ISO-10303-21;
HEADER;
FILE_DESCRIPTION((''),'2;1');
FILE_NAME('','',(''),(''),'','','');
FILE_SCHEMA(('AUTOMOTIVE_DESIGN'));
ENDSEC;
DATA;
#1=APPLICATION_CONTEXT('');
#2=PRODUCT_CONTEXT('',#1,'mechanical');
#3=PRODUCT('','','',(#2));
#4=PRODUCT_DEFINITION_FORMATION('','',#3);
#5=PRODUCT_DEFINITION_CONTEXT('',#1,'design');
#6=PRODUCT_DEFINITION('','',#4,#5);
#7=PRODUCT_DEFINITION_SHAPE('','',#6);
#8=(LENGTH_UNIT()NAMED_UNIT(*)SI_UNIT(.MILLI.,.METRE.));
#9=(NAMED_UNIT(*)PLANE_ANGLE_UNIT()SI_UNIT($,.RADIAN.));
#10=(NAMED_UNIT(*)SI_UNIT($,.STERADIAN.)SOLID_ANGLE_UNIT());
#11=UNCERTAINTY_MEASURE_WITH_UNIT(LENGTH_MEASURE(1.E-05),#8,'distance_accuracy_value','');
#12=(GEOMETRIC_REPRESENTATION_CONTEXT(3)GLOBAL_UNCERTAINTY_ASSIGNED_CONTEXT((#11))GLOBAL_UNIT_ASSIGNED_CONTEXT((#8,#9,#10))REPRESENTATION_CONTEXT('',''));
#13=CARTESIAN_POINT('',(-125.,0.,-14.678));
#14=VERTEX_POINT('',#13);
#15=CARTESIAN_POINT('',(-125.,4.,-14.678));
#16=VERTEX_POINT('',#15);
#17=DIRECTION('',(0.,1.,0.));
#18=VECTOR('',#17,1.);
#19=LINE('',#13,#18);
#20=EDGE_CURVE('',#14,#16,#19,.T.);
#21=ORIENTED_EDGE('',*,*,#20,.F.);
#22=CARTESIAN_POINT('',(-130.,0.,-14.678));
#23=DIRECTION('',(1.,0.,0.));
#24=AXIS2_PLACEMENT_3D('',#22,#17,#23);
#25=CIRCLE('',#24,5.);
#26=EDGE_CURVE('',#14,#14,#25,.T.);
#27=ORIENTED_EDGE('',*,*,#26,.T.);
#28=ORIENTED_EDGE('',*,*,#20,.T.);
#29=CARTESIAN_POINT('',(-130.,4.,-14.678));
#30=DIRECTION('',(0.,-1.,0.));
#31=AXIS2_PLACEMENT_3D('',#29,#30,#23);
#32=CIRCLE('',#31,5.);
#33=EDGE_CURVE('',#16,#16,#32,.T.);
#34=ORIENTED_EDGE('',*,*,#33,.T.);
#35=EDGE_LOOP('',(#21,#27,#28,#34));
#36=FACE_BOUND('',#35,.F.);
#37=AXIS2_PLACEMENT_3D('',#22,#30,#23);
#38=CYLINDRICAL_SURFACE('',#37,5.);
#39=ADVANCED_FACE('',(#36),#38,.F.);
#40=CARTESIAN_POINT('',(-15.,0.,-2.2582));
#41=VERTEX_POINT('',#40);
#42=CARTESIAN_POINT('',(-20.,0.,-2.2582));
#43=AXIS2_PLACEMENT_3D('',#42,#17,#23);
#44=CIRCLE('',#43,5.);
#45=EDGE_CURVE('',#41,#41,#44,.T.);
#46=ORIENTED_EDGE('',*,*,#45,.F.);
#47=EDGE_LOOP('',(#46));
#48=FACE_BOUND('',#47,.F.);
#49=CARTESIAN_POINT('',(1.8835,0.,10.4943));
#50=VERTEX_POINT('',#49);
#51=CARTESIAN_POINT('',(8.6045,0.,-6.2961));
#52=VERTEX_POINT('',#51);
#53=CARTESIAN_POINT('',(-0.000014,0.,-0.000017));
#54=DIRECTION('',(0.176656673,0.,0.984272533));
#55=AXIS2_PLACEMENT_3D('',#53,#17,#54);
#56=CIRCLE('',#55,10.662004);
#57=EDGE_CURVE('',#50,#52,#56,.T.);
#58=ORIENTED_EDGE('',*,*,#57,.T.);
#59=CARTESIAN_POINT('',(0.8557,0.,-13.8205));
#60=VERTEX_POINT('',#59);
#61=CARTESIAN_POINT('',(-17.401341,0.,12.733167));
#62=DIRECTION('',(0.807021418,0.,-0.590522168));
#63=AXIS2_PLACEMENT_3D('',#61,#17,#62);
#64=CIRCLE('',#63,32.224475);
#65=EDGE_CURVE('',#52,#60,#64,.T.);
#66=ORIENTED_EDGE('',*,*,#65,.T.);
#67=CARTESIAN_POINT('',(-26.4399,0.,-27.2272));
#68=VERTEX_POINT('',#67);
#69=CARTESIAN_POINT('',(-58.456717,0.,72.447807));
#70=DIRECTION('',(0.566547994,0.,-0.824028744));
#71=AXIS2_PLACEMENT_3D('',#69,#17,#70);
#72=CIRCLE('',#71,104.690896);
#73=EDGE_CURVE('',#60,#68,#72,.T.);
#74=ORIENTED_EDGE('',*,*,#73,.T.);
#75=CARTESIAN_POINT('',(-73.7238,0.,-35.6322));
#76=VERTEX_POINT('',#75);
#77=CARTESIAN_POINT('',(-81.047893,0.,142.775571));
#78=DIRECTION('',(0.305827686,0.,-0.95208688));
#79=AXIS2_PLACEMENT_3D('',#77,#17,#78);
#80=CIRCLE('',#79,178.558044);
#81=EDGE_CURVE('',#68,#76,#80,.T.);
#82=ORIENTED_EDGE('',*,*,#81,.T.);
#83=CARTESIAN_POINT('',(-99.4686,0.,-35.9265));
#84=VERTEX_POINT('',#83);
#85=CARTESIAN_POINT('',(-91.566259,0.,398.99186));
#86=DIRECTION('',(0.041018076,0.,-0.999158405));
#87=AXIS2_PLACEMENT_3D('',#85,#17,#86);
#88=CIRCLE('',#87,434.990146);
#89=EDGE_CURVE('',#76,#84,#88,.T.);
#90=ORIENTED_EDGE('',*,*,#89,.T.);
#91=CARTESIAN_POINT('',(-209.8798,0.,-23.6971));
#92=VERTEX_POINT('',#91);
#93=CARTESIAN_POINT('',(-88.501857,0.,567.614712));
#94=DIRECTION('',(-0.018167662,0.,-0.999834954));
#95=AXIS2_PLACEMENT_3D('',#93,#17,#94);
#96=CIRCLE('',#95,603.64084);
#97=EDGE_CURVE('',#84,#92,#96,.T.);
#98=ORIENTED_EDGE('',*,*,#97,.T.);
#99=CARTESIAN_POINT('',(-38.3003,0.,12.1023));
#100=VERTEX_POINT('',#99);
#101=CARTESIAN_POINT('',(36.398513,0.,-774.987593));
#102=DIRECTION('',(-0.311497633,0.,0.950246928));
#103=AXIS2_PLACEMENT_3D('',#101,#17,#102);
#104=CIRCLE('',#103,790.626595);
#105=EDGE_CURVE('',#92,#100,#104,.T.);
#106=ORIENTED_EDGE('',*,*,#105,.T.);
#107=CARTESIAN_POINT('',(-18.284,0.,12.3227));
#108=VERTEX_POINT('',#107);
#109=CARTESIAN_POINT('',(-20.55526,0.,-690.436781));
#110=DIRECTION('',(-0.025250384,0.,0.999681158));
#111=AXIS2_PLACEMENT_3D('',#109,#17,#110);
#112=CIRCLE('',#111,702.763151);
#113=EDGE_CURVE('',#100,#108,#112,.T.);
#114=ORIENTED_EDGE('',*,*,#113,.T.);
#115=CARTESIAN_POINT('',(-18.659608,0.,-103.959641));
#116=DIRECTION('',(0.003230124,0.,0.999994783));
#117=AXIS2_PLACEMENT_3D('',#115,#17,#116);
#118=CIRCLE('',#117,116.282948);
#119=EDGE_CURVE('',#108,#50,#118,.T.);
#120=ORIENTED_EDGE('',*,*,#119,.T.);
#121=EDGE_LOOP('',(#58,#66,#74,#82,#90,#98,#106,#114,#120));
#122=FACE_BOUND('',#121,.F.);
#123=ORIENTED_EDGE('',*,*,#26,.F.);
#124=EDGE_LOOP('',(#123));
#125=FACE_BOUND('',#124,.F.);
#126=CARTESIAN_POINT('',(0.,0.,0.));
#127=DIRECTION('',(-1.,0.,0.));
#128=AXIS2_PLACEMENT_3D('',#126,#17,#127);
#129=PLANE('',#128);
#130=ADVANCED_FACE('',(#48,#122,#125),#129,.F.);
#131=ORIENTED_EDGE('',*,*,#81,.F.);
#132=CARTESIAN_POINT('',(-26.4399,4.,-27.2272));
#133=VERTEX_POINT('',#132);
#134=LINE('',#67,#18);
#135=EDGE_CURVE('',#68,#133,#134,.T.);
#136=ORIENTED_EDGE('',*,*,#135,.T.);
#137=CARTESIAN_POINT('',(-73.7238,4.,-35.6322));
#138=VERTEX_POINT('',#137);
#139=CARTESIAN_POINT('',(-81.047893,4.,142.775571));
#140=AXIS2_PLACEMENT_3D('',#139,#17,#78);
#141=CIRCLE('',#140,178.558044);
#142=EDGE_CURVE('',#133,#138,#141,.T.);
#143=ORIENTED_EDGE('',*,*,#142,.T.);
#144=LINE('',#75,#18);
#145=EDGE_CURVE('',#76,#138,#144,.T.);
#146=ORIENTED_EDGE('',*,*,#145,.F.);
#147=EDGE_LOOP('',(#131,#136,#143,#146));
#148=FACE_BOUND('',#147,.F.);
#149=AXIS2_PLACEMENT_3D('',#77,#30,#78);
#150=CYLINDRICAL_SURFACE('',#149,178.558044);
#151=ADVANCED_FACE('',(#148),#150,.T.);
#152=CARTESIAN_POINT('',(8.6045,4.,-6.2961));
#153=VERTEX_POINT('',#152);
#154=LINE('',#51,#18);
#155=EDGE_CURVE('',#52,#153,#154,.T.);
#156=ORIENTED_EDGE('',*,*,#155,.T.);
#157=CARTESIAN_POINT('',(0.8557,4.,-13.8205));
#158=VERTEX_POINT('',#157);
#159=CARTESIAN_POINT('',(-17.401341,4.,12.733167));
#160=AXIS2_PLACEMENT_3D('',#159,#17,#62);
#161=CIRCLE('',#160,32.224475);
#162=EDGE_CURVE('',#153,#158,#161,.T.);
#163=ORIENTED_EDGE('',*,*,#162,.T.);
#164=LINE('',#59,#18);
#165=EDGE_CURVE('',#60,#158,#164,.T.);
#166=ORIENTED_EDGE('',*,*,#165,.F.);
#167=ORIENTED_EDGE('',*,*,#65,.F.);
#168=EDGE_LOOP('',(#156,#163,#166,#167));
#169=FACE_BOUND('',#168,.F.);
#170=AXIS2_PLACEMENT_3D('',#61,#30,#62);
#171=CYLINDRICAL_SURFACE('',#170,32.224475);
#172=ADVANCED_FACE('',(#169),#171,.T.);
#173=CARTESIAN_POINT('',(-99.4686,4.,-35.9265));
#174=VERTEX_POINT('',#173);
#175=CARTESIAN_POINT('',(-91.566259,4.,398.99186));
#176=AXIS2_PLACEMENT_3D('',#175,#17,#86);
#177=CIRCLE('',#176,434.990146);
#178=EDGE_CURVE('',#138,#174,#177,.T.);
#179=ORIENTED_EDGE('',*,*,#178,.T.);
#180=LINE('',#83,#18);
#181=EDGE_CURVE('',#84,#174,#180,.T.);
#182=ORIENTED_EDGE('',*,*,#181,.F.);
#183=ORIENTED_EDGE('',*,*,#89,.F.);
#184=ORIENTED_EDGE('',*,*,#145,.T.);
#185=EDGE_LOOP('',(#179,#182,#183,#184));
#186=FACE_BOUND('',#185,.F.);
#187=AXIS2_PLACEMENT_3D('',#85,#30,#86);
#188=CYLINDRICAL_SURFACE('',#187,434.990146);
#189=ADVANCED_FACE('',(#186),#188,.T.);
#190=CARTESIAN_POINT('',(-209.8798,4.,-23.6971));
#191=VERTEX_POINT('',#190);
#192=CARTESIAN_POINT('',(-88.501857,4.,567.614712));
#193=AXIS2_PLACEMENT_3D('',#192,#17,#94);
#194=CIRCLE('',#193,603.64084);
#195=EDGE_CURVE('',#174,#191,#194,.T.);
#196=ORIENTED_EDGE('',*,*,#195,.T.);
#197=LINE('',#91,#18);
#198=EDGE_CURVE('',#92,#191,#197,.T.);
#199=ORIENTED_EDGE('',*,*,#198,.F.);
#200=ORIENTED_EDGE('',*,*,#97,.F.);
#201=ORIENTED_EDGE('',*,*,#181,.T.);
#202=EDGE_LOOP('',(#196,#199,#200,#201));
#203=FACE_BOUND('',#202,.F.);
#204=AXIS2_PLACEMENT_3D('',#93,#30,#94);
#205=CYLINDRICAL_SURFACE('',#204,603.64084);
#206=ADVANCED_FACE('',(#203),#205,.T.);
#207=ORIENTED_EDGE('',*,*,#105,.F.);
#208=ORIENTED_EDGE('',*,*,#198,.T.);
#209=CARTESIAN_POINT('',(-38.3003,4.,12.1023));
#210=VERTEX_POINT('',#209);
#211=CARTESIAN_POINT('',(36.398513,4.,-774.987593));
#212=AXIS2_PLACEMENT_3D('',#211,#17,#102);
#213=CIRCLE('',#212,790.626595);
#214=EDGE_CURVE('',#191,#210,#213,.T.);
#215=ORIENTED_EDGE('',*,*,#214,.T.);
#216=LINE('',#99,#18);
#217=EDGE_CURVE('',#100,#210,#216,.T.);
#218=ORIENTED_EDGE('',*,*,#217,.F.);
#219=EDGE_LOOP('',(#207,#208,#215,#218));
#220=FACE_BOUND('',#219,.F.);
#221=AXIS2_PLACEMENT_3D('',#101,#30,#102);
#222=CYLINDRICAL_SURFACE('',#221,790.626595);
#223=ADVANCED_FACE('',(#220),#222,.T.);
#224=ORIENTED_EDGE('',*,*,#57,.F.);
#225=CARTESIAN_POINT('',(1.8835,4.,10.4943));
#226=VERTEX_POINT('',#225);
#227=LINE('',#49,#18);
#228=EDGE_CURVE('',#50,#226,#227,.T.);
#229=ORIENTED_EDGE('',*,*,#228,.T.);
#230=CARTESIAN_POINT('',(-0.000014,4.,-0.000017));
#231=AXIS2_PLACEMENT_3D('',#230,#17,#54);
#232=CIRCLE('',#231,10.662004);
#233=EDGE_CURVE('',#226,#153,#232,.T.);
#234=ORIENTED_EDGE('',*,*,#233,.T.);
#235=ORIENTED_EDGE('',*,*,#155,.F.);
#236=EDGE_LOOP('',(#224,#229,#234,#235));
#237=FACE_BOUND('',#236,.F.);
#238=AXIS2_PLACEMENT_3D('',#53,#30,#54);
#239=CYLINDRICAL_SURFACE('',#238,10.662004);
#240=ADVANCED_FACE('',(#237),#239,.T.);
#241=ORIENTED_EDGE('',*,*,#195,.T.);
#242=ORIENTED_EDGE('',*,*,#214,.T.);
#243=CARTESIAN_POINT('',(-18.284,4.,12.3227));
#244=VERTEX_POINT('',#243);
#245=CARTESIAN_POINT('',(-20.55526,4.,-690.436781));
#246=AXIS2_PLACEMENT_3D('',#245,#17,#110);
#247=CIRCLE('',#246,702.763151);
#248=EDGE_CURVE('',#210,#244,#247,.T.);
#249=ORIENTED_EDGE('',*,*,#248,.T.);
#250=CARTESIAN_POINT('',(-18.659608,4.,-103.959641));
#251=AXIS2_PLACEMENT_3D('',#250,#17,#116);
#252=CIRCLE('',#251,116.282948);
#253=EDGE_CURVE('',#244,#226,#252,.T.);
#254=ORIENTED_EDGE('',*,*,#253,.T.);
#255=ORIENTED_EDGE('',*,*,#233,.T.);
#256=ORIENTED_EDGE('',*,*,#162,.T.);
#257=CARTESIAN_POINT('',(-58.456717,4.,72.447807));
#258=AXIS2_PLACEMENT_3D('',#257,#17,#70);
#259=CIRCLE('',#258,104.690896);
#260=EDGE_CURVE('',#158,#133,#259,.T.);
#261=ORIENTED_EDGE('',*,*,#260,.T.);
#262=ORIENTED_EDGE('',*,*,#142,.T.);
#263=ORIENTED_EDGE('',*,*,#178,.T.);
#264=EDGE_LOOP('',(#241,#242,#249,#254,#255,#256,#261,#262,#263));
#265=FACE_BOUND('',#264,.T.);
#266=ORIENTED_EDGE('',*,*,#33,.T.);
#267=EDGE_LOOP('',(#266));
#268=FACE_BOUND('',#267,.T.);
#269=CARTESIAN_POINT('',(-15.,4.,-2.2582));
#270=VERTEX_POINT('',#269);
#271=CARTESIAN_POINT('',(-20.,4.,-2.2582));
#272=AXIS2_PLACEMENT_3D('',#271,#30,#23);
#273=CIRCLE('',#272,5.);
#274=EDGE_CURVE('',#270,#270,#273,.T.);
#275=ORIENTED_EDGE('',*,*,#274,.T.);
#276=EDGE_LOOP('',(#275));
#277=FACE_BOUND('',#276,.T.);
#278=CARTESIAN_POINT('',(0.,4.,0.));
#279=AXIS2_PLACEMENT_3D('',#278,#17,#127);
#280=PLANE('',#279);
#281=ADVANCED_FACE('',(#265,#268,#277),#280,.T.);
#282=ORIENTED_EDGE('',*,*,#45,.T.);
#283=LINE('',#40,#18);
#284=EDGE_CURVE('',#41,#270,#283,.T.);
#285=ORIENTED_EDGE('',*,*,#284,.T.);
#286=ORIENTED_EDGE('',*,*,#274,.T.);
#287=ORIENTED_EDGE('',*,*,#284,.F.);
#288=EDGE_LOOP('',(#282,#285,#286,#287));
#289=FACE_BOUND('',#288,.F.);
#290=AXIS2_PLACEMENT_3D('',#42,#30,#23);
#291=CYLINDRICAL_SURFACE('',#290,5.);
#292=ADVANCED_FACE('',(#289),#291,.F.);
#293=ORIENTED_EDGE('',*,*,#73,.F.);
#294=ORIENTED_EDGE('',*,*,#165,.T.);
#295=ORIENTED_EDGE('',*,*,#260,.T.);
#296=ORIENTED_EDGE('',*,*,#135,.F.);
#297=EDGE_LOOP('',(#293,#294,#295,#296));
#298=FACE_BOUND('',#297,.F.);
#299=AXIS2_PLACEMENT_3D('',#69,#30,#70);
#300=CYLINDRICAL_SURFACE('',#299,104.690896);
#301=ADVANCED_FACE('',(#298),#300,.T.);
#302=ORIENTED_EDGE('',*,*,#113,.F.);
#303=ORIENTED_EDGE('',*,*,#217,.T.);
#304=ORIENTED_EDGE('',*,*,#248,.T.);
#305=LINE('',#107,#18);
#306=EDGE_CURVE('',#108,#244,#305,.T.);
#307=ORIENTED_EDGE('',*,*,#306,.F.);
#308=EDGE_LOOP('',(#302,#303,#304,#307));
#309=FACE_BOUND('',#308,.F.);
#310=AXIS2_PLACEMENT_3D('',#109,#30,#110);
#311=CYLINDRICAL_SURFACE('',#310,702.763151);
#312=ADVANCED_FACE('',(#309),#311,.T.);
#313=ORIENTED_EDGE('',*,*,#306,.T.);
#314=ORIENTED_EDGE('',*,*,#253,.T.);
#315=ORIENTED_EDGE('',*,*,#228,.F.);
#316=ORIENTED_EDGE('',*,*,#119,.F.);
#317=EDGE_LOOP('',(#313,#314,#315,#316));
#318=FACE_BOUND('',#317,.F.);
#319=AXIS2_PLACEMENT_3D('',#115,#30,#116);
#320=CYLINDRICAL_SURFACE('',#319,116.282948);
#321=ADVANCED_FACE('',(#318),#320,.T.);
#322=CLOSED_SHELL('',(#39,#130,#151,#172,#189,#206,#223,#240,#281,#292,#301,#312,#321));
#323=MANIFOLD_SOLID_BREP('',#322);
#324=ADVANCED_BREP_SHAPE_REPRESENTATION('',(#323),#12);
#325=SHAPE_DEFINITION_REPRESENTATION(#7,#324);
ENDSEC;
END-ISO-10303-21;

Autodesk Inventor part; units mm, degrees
ref_plane "YZ Plane" through (0, 0, 0) normal (1, 0, 0) x (0, 1, 0)
ref_plane "XZ Plane" through (0, 0, 0) normal (0, 1, 0) x (-1, 0, 0)
ref_plane "XY Plane" through (0, 0, 0) normal (0, 0, 1) x (1, 0, 0)
sketch "スケッチ1" plane through (0, 0, 0) normal (0, 1, 0) x (-1, 0, 0)
  arc A0 (209.8798, -23.6971) -> (38.3003, 12.1023) centre (-36.3979, -774.9853) ccw projected
  arc A1 (99.4686, -35.9265) -> (209.8798, -23.6971) centre (88.5018, 567.6156) ccw projected
  arc A2 (73.7238, -35.6322) -> (99.4686, -35.9265) centre (91.566, 398.982) ccw projected
  arc A3 (26.4399, -27.2272) -> (73.7238, -35.6322) centre (81.048, 142.776) ccw projected
  arc A4 (-0.8557, -13.8205) -> (26.4399, -27.2272) centre (58.458, 72.45) ccw projected
  arc A5 (-8.6045, -6.2961) -> (-0.8557, -13.8205) centre (17.4, 12.732) ccw projected
  arc A6 (-1.8835, 10.4943) -> (-8.6045, -6.2961) centre (0, 0) ccw projected
  arc A7 (18.284, 12.3227) -> (-1.8835, 10.4943) centre (18.66, -103.968) ccw projected
  arc A8 (38.3003, 12.1023) -> (18.284, 12.3227) centre (20.556, -690.396) ccw projected
extrude "押し出し1" add sketch "スケッチ1" along normal blind 4
sketch "スケッチ2" plane through (0, 0, 0) normal (0, -1, 0) x (1, 0, 0)
  circle A0 centre (-20, -2.2582) radius 5
  circle A1 centre (-130, -14.678) radius 5
  line L0 (0, 0) -> (-209.8798, -23.6971)
  dimension "d3" = 10
  dimension "d4" = 10
  dimension "d5" = 20
  dimension "d6" = 130
extrude "押し出し2" cut sketch "スケッチ2" against normal through all
equation "\"d4\" = d3"
properties part number "plate" material "木材 (オーク)"
